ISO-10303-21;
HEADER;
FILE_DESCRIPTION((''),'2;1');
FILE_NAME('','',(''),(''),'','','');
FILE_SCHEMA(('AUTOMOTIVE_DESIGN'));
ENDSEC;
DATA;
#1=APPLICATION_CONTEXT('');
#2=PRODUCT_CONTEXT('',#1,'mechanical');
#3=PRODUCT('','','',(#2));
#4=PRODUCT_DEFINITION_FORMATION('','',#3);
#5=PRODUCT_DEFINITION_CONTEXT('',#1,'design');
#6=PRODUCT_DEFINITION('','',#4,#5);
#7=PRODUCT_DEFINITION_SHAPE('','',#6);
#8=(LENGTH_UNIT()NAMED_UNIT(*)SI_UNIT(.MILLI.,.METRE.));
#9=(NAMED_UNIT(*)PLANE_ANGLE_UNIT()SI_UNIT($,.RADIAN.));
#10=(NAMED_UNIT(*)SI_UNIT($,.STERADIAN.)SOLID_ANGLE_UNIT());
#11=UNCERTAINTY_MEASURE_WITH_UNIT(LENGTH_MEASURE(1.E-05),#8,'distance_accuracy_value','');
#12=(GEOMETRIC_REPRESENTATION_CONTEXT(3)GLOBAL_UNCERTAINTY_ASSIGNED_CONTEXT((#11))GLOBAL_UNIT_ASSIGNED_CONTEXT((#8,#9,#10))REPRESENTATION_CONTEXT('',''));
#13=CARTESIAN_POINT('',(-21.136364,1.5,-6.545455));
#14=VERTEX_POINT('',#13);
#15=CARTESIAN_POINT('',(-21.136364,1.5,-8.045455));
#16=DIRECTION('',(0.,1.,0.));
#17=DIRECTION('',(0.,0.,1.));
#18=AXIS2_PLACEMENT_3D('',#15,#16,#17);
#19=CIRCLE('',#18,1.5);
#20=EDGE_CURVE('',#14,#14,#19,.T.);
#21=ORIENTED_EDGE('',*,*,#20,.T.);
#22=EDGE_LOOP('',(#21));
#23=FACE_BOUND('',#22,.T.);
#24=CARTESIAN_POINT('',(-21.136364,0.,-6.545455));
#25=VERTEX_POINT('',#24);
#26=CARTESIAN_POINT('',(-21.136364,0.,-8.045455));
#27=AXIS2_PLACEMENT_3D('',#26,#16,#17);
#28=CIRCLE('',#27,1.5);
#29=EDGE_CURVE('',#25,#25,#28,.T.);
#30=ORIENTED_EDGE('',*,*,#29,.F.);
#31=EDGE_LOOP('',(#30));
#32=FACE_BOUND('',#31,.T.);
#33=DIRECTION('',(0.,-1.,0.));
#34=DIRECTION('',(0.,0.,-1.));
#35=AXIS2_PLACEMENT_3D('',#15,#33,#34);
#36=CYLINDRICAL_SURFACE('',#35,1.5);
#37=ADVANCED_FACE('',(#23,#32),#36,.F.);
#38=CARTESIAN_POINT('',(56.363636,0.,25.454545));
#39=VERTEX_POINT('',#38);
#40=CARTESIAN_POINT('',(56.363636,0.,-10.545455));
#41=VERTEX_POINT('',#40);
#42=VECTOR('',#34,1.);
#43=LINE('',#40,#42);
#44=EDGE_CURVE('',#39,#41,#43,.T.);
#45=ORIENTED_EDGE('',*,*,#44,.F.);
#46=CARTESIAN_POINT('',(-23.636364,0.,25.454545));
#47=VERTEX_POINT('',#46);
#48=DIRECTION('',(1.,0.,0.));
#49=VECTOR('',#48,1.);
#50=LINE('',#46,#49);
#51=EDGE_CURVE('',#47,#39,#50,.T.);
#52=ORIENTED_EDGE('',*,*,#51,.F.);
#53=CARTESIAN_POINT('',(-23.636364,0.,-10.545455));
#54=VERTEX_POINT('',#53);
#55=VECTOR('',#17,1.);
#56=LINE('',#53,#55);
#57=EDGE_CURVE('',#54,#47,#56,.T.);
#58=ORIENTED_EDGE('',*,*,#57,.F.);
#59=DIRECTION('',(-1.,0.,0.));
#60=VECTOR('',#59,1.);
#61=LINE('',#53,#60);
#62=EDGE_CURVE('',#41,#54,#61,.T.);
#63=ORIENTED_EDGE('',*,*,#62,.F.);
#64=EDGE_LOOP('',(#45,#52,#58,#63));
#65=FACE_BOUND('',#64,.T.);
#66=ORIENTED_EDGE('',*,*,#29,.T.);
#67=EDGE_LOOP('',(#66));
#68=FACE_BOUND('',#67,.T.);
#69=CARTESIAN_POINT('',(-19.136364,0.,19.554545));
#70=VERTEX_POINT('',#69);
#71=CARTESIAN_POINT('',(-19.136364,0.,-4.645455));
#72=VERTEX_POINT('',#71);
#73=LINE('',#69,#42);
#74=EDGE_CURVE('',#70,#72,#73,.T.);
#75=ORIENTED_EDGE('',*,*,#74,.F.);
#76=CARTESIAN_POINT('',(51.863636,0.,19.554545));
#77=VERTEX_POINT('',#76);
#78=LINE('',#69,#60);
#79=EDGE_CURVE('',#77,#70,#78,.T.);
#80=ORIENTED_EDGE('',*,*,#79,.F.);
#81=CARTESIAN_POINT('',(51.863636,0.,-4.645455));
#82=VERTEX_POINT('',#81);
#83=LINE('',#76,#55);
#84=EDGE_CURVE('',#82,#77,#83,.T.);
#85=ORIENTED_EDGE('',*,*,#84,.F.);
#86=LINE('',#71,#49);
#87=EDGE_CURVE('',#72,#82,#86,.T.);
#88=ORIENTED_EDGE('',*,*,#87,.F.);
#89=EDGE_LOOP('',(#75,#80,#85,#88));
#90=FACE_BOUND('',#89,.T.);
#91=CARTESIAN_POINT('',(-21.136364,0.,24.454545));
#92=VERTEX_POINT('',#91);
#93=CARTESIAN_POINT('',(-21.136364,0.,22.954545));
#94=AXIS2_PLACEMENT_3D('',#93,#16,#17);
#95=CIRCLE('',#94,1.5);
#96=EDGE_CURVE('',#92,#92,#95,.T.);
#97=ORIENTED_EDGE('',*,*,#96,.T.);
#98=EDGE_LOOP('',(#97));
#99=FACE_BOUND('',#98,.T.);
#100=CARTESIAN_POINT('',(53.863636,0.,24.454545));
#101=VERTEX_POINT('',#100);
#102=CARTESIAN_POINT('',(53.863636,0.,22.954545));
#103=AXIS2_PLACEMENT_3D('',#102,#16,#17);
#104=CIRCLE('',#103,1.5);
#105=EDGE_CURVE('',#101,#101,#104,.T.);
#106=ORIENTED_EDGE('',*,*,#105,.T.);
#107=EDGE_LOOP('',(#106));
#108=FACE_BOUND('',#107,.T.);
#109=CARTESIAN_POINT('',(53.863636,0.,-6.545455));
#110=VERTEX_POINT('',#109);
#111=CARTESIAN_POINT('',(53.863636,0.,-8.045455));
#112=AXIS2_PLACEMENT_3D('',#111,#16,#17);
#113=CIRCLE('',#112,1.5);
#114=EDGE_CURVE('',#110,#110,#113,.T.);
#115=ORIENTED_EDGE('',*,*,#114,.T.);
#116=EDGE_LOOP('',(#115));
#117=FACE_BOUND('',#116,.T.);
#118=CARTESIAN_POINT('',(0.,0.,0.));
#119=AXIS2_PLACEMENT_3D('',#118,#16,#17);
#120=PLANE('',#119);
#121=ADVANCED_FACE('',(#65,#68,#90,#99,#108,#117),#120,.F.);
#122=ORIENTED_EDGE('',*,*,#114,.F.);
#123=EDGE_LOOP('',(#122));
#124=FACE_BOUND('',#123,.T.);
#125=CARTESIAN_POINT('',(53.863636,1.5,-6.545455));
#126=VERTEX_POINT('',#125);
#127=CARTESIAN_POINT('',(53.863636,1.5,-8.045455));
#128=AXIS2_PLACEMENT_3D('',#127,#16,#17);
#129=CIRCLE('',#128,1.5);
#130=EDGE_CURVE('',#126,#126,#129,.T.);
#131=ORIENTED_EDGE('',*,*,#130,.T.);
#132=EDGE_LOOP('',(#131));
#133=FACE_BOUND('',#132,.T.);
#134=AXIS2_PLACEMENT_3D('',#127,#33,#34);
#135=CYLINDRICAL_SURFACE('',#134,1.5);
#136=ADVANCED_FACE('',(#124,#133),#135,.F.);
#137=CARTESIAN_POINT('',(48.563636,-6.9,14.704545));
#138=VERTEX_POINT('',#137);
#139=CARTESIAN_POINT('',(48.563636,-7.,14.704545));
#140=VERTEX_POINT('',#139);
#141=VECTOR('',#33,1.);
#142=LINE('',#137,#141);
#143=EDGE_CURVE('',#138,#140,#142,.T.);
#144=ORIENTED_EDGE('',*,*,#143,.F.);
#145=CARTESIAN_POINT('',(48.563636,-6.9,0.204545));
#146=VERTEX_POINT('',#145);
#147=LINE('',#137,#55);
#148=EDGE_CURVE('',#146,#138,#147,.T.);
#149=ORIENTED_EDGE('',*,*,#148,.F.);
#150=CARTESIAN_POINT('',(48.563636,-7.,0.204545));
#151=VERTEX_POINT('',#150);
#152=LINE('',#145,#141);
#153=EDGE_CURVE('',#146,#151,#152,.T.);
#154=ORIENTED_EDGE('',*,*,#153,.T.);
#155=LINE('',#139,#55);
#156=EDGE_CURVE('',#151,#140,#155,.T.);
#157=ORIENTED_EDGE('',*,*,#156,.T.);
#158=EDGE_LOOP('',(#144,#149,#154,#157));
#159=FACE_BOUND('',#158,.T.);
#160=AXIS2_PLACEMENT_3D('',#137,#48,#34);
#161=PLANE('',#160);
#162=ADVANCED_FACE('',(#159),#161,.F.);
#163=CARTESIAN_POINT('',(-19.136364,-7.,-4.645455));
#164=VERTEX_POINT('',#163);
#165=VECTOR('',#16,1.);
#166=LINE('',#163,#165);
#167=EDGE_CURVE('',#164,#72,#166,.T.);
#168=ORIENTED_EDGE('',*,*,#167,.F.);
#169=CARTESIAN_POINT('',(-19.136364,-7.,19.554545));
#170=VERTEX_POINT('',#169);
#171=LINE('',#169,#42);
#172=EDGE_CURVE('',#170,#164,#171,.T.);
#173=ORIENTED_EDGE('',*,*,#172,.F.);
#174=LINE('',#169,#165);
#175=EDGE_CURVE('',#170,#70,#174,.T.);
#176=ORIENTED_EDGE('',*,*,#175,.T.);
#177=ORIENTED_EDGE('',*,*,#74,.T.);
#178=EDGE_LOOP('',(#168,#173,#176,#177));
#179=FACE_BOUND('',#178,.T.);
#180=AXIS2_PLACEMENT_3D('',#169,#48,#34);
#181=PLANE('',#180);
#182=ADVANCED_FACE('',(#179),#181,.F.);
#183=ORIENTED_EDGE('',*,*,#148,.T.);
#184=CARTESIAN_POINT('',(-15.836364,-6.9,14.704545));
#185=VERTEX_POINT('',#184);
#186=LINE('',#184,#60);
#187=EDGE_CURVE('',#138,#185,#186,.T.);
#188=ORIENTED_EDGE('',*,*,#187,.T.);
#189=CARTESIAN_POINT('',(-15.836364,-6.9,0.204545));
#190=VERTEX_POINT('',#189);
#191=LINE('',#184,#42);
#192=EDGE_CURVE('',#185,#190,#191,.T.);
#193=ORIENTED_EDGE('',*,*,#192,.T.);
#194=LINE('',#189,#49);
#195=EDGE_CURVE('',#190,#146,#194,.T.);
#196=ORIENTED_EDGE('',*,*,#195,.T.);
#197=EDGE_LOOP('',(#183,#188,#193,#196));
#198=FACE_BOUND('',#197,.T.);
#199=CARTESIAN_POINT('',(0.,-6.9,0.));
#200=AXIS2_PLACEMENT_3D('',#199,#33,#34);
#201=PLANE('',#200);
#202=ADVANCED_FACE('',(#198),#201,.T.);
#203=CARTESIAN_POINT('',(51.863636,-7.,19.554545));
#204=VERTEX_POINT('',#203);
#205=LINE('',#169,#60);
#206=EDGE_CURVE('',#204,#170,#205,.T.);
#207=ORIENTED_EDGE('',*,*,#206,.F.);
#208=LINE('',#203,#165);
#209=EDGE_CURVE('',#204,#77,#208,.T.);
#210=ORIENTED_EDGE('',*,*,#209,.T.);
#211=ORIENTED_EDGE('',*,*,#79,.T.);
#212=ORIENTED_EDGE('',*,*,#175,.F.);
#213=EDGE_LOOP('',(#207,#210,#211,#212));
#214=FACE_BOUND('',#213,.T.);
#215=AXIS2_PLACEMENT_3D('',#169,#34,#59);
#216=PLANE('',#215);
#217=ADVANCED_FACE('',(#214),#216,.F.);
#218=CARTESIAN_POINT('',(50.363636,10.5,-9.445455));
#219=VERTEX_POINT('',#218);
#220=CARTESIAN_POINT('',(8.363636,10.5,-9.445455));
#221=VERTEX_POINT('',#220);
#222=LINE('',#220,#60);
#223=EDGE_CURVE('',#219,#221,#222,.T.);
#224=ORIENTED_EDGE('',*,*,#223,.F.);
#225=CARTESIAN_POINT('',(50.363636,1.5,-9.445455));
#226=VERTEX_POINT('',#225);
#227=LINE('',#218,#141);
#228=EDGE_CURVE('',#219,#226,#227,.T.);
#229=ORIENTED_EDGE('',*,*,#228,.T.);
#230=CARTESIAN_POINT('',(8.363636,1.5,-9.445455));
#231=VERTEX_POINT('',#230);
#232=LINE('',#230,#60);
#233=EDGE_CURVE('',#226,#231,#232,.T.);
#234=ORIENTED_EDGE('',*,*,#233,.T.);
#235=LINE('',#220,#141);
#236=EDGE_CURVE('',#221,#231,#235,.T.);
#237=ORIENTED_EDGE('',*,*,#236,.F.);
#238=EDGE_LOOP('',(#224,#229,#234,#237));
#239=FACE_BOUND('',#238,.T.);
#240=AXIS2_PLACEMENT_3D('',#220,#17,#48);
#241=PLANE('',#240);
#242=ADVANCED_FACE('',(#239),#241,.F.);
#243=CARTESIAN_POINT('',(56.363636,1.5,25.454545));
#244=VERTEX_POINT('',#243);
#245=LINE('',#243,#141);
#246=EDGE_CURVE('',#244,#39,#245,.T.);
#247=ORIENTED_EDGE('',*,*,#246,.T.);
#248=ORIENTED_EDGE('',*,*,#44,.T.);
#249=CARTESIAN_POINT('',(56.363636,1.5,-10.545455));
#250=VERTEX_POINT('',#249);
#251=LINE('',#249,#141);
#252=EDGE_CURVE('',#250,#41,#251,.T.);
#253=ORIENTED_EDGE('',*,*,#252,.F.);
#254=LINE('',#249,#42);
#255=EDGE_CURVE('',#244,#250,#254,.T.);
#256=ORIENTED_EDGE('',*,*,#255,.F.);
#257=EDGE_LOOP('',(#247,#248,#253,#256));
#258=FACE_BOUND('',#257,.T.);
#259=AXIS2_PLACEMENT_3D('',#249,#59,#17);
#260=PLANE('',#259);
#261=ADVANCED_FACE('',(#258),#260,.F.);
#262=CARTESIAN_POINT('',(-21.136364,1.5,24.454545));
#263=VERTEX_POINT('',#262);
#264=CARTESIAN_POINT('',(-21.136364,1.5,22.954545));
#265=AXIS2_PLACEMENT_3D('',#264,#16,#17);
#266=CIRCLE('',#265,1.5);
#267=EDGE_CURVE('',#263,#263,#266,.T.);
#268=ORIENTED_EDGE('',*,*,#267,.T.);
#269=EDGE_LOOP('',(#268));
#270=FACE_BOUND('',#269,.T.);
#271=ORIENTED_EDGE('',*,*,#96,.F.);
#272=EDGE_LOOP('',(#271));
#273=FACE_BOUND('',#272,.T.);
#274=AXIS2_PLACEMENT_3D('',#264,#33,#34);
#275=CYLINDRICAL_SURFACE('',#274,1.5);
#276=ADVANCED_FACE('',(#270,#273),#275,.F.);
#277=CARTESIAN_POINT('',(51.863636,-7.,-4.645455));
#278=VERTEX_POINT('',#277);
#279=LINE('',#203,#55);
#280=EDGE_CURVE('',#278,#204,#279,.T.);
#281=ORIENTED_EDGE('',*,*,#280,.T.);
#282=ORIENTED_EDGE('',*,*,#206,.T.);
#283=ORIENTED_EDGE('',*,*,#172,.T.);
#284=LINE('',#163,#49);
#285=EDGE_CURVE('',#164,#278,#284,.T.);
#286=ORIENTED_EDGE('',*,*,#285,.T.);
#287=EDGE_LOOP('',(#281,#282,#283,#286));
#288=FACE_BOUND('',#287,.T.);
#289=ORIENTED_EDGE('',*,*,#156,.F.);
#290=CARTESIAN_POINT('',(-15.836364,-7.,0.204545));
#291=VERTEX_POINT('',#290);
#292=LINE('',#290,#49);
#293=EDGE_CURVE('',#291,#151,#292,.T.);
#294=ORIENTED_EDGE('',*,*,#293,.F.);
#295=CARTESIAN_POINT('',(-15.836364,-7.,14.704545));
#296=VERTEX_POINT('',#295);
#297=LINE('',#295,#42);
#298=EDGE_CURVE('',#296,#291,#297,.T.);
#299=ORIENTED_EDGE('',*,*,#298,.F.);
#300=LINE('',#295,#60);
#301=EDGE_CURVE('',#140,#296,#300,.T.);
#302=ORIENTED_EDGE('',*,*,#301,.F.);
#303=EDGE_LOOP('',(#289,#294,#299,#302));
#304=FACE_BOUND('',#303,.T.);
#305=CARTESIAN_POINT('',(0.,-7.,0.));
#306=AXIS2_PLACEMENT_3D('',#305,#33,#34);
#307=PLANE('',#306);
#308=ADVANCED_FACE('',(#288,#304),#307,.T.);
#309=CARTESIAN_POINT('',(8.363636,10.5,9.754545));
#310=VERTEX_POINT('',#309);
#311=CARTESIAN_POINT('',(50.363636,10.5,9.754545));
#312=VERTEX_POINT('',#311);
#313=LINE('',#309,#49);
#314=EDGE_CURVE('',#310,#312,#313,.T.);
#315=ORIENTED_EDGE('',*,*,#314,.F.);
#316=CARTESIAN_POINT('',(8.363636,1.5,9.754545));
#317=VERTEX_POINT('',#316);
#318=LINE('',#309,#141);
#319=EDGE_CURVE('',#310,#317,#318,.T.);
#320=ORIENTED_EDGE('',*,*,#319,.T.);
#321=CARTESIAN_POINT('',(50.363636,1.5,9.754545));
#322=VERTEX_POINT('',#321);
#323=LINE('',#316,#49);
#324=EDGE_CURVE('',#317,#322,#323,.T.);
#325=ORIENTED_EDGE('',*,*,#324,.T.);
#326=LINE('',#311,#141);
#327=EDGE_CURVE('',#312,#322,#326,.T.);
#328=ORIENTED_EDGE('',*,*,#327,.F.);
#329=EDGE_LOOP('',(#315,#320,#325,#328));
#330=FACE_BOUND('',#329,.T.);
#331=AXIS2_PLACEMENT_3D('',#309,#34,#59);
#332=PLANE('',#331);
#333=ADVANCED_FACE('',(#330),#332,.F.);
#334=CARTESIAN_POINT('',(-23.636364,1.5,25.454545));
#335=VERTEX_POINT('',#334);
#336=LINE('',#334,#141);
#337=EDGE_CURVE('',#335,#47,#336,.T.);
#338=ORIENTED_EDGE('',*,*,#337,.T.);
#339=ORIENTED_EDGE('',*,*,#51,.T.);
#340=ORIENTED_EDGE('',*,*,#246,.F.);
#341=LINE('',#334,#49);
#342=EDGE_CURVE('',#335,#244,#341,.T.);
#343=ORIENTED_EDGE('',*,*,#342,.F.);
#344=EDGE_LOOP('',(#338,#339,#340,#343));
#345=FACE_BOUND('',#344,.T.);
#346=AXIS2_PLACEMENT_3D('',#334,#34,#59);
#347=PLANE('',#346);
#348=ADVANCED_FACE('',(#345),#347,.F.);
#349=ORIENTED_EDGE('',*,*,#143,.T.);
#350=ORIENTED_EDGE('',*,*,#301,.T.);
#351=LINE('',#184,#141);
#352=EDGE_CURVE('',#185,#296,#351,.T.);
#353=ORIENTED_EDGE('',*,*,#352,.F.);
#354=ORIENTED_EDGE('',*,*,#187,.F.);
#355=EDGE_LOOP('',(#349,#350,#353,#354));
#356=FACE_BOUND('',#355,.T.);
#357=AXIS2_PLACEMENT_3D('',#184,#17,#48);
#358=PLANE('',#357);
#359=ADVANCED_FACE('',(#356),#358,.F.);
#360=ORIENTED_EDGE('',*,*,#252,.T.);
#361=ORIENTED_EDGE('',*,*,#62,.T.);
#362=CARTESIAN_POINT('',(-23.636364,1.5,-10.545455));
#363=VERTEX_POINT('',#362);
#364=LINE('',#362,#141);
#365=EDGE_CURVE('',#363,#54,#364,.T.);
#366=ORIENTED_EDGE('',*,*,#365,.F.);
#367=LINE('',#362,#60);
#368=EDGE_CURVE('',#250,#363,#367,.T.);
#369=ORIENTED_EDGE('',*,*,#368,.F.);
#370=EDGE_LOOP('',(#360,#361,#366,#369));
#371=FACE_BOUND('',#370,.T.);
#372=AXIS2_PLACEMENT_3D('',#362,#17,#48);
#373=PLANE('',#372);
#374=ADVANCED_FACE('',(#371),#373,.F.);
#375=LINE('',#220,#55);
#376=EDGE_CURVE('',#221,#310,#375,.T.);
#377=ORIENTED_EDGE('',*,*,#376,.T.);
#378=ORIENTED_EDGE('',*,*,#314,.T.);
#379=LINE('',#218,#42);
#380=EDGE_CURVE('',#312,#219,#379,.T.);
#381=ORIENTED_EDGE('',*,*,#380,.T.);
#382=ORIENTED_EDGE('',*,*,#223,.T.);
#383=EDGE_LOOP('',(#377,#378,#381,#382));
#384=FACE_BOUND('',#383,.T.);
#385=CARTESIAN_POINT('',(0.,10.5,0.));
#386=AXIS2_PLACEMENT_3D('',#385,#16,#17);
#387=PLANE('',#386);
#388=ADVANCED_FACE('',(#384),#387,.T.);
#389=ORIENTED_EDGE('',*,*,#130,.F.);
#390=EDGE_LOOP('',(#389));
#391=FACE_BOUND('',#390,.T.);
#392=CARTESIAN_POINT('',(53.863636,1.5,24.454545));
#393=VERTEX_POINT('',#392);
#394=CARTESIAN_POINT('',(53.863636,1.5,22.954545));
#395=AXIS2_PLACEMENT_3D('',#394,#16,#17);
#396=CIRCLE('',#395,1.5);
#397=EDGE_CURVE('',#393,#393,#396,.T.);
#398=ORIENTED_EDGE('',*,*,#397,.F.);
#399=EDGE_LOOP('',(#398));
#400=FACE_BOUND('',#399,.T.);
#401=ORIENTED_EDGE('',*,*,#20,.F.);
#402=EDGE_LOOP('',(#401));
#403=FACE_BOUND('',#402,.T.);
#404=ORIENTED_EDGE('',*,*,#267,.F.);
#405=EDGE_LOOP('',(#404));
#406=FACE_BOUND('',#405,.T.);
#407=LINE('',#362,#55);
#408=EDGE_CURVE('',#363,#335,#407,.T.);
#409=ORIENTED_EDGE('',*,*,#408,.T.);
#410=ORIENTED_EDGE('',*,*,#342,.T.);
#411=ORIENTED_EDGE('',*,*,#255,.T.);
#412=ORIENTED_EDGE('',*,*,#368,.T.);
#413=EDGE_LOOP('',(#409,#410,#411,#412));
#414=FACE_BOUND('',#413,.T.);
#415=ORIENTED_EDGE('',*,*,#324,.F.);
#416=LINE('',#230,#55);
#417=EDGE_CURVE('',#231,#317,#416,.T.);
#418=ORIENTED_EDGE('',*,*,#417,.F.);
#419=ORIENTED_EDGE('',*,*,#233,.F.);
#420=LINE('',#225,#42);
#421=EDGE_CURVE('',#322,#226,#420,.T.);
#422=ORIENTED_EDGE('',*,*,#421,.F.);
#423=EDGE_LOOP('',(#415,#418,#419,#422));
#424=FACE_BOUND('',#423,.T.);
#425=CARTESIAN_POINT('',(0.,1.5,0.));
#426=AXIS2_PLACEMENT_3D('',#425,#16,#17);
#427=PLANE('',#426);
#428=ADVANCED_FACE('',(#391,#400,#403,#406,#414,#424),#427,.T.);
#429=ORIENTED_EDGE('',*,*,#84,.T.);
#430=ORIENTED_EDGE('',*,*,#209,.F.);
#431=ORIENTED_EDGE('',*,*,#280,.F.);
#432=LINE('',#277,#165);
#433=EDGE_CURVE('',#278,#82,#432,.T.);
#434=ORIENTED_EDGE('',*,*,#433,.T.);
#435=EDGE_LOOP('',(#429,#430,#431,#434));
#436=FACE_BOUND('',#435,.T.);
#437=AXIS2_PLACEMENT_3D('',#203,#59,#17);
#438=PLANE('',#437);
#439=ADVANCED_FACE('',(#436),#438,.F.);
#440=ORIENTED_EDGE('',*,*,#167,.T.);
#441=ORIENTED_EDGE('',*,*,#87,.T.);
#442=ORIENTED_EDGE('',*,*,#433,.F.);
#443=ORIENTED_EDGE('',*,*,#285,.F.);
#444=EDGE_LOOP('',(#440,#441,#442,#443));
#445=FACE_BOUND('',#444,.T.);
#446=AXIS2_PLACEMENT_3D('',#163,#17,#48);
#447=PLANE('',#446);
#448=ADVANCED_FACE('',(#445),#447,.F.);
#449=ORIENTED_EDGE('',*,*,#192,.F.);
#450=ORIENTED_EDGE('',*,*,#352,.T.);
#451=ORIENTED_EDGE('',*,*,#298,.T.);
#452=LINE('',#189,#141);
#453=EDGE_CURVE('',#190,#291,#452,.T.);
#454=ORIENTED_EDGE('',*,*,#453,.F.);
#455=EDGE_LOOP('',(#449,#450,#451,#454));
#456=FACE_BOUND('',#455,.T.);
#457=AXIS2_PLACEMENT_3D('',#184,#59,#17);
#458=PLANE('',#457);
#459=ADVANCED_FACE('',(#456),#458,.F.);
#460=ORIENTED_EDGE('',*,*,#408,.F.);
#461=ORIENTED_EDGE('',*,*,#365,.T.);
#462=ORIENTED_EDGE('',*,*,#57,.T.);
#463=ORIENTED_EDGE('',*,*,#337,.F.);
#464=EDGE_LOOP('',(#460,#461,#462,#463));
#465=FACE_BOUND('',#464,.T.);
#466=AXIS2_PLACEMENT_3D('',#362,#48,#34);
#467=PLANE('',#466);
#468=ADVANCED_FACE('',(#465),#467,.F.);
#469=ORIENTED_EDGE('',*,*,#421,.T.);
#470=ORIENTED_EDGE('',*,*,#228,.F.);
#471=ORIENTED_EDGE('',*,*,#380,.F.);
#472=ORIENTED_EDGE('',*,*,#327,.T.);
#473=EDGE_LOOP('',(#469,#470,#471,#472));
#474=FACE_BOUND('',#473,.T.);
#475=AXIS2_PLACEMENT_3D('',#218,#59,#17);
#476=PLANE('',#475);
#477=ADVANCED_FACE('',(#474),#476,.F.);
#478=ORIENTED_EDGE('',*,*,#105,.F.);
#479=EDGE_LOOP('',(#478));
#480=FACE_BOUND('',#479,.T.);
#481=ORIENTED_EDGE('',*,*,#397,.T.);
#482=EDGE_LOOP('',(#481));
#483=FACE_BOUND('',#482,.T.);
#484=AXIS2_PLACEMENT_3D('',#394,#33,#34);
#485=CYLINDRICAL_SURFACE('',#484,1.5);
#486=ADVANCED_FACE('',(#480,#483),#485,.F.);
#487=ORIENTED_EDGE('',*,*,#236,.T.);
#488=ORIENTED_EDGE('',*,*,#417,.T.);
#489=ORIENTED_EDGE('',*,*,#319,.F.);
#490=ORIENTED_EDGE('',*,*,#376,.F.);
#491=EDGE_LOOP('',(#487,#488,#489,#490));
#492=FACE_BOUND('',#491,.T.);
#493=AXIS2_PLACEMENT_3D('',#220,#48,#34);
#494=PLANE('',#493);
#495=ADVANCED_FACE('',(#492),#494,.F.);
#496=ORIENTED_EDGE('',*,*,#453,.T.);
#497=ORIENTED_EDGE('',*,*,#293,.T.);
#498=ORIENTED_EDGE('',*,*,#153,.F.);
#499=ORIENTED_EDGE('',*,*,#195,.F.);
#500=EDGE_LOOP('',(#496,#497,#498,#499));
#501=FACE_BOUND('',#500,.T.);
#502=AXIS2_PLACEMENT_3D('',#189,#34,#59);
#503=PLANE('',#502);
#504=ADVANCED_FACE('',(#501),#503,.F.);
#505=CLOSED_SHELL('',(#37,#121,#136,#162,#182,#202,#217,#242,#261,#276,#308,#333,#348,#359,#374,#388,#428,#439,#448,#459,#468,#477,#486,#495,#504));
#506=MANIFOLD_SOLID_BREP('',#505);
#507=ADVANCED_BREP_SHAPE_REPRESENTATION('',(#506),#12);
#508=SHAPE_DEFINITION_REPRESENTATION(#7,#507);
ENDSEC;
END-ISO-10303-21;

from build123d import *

# Parameters (mm, degrees)
SKETCH_1_W          = 80
SKETCH_1_H          = 36
SKETCH_1_R          = 1.5
EXTRUDE_1_DEPTH     = 1.5
SKETCH_2_W          = 71
SKETCH_2_H          = 24.2
EXTRUDE_2_DEPTH     = 7
SKETCH_3_W          = 42
SKETCH_3_H          = 19.2
EXTRUDE_3_DEPTH     = 9
SKETCH_4_W          = 64.4
SKETCH_4_H          = 14.5
CUT_EXTRUDE_1_DEPTH = 0.1


with BuildPart() as part:
    # Эскиз1 → Бобышка-Вытянуть1 (new body)
    with BuildSketch(Plane(origin=(0, 0, 0), x_dir=(1, 0, 0), z_dir=(0, 1, 0))):
        with Locations((16.363636364, -7.454545455)):
            Rectangle(SKETCH_1_W, SKETCH_1_H)
        with Locations(Location((-21.136363636, -22.954545455, 0), (0, 0, 270))):
            Circle(SKETCH_1_R, mode=Mode.SUBTRACT)
        with Locations(Location((53.863636364, 8.045454545, 0), (0, 0, 270))):
            Circle(SKETCH_1_R, mode=Mode.SUBTRACT)
        with Locations(Location((-21.136363636, 8.045454545, 0), (0, 0, 270))):
            Circle(SKETCH_1_R, mode=Mode.SUBTRACT)
        with Locations(Location((53.863636364, -22.954545455, 0), (0, 0, 270))):
            Circle(SKETCH_1_R, mode=Mode.SUBTRACT)
    extrude(amount=EXTRUDE_1_DEPTH)

    # Эскиз2 → Бобышка-Вытянуть2 (add)
    with BuildSketch(Plane.XZ):
        with Locations((16.363636364, 7.454545455)):
            Rectangle(SKETCH_2_W, SKETCH_2_H)
    extrude(amount=EXTRUDE_2_DEPTH)

    # Эскиз3 → Бобышка-Вытянуть3 (add)
    with BuildSketch(Plane(origin=(0, 1.5, 0), x_dir=(1, 0, 0), z_dir=(0, 1, 0))):
        with Locations((29.363636364, -0.154545455)):
            Rectangle(SKETCH_3_W, SKETCH_3_H)
    extrude(amount=EXTRUDE_3_DEPTH)

    # Эскиз4 → Вырез-Вытянуть1 (cut)
    with BuildSketch(Plane.XZ.offset(7)):
        with Locations((16.363636364, 7.454545455)):
            Rectangle(SKETCH_4_W, SKETCH_4_H)
    extrude(amount=-CUT_EXTRUDE_1_DEPTH, mode=Mode.SUBTRACT)


solid = part.part
